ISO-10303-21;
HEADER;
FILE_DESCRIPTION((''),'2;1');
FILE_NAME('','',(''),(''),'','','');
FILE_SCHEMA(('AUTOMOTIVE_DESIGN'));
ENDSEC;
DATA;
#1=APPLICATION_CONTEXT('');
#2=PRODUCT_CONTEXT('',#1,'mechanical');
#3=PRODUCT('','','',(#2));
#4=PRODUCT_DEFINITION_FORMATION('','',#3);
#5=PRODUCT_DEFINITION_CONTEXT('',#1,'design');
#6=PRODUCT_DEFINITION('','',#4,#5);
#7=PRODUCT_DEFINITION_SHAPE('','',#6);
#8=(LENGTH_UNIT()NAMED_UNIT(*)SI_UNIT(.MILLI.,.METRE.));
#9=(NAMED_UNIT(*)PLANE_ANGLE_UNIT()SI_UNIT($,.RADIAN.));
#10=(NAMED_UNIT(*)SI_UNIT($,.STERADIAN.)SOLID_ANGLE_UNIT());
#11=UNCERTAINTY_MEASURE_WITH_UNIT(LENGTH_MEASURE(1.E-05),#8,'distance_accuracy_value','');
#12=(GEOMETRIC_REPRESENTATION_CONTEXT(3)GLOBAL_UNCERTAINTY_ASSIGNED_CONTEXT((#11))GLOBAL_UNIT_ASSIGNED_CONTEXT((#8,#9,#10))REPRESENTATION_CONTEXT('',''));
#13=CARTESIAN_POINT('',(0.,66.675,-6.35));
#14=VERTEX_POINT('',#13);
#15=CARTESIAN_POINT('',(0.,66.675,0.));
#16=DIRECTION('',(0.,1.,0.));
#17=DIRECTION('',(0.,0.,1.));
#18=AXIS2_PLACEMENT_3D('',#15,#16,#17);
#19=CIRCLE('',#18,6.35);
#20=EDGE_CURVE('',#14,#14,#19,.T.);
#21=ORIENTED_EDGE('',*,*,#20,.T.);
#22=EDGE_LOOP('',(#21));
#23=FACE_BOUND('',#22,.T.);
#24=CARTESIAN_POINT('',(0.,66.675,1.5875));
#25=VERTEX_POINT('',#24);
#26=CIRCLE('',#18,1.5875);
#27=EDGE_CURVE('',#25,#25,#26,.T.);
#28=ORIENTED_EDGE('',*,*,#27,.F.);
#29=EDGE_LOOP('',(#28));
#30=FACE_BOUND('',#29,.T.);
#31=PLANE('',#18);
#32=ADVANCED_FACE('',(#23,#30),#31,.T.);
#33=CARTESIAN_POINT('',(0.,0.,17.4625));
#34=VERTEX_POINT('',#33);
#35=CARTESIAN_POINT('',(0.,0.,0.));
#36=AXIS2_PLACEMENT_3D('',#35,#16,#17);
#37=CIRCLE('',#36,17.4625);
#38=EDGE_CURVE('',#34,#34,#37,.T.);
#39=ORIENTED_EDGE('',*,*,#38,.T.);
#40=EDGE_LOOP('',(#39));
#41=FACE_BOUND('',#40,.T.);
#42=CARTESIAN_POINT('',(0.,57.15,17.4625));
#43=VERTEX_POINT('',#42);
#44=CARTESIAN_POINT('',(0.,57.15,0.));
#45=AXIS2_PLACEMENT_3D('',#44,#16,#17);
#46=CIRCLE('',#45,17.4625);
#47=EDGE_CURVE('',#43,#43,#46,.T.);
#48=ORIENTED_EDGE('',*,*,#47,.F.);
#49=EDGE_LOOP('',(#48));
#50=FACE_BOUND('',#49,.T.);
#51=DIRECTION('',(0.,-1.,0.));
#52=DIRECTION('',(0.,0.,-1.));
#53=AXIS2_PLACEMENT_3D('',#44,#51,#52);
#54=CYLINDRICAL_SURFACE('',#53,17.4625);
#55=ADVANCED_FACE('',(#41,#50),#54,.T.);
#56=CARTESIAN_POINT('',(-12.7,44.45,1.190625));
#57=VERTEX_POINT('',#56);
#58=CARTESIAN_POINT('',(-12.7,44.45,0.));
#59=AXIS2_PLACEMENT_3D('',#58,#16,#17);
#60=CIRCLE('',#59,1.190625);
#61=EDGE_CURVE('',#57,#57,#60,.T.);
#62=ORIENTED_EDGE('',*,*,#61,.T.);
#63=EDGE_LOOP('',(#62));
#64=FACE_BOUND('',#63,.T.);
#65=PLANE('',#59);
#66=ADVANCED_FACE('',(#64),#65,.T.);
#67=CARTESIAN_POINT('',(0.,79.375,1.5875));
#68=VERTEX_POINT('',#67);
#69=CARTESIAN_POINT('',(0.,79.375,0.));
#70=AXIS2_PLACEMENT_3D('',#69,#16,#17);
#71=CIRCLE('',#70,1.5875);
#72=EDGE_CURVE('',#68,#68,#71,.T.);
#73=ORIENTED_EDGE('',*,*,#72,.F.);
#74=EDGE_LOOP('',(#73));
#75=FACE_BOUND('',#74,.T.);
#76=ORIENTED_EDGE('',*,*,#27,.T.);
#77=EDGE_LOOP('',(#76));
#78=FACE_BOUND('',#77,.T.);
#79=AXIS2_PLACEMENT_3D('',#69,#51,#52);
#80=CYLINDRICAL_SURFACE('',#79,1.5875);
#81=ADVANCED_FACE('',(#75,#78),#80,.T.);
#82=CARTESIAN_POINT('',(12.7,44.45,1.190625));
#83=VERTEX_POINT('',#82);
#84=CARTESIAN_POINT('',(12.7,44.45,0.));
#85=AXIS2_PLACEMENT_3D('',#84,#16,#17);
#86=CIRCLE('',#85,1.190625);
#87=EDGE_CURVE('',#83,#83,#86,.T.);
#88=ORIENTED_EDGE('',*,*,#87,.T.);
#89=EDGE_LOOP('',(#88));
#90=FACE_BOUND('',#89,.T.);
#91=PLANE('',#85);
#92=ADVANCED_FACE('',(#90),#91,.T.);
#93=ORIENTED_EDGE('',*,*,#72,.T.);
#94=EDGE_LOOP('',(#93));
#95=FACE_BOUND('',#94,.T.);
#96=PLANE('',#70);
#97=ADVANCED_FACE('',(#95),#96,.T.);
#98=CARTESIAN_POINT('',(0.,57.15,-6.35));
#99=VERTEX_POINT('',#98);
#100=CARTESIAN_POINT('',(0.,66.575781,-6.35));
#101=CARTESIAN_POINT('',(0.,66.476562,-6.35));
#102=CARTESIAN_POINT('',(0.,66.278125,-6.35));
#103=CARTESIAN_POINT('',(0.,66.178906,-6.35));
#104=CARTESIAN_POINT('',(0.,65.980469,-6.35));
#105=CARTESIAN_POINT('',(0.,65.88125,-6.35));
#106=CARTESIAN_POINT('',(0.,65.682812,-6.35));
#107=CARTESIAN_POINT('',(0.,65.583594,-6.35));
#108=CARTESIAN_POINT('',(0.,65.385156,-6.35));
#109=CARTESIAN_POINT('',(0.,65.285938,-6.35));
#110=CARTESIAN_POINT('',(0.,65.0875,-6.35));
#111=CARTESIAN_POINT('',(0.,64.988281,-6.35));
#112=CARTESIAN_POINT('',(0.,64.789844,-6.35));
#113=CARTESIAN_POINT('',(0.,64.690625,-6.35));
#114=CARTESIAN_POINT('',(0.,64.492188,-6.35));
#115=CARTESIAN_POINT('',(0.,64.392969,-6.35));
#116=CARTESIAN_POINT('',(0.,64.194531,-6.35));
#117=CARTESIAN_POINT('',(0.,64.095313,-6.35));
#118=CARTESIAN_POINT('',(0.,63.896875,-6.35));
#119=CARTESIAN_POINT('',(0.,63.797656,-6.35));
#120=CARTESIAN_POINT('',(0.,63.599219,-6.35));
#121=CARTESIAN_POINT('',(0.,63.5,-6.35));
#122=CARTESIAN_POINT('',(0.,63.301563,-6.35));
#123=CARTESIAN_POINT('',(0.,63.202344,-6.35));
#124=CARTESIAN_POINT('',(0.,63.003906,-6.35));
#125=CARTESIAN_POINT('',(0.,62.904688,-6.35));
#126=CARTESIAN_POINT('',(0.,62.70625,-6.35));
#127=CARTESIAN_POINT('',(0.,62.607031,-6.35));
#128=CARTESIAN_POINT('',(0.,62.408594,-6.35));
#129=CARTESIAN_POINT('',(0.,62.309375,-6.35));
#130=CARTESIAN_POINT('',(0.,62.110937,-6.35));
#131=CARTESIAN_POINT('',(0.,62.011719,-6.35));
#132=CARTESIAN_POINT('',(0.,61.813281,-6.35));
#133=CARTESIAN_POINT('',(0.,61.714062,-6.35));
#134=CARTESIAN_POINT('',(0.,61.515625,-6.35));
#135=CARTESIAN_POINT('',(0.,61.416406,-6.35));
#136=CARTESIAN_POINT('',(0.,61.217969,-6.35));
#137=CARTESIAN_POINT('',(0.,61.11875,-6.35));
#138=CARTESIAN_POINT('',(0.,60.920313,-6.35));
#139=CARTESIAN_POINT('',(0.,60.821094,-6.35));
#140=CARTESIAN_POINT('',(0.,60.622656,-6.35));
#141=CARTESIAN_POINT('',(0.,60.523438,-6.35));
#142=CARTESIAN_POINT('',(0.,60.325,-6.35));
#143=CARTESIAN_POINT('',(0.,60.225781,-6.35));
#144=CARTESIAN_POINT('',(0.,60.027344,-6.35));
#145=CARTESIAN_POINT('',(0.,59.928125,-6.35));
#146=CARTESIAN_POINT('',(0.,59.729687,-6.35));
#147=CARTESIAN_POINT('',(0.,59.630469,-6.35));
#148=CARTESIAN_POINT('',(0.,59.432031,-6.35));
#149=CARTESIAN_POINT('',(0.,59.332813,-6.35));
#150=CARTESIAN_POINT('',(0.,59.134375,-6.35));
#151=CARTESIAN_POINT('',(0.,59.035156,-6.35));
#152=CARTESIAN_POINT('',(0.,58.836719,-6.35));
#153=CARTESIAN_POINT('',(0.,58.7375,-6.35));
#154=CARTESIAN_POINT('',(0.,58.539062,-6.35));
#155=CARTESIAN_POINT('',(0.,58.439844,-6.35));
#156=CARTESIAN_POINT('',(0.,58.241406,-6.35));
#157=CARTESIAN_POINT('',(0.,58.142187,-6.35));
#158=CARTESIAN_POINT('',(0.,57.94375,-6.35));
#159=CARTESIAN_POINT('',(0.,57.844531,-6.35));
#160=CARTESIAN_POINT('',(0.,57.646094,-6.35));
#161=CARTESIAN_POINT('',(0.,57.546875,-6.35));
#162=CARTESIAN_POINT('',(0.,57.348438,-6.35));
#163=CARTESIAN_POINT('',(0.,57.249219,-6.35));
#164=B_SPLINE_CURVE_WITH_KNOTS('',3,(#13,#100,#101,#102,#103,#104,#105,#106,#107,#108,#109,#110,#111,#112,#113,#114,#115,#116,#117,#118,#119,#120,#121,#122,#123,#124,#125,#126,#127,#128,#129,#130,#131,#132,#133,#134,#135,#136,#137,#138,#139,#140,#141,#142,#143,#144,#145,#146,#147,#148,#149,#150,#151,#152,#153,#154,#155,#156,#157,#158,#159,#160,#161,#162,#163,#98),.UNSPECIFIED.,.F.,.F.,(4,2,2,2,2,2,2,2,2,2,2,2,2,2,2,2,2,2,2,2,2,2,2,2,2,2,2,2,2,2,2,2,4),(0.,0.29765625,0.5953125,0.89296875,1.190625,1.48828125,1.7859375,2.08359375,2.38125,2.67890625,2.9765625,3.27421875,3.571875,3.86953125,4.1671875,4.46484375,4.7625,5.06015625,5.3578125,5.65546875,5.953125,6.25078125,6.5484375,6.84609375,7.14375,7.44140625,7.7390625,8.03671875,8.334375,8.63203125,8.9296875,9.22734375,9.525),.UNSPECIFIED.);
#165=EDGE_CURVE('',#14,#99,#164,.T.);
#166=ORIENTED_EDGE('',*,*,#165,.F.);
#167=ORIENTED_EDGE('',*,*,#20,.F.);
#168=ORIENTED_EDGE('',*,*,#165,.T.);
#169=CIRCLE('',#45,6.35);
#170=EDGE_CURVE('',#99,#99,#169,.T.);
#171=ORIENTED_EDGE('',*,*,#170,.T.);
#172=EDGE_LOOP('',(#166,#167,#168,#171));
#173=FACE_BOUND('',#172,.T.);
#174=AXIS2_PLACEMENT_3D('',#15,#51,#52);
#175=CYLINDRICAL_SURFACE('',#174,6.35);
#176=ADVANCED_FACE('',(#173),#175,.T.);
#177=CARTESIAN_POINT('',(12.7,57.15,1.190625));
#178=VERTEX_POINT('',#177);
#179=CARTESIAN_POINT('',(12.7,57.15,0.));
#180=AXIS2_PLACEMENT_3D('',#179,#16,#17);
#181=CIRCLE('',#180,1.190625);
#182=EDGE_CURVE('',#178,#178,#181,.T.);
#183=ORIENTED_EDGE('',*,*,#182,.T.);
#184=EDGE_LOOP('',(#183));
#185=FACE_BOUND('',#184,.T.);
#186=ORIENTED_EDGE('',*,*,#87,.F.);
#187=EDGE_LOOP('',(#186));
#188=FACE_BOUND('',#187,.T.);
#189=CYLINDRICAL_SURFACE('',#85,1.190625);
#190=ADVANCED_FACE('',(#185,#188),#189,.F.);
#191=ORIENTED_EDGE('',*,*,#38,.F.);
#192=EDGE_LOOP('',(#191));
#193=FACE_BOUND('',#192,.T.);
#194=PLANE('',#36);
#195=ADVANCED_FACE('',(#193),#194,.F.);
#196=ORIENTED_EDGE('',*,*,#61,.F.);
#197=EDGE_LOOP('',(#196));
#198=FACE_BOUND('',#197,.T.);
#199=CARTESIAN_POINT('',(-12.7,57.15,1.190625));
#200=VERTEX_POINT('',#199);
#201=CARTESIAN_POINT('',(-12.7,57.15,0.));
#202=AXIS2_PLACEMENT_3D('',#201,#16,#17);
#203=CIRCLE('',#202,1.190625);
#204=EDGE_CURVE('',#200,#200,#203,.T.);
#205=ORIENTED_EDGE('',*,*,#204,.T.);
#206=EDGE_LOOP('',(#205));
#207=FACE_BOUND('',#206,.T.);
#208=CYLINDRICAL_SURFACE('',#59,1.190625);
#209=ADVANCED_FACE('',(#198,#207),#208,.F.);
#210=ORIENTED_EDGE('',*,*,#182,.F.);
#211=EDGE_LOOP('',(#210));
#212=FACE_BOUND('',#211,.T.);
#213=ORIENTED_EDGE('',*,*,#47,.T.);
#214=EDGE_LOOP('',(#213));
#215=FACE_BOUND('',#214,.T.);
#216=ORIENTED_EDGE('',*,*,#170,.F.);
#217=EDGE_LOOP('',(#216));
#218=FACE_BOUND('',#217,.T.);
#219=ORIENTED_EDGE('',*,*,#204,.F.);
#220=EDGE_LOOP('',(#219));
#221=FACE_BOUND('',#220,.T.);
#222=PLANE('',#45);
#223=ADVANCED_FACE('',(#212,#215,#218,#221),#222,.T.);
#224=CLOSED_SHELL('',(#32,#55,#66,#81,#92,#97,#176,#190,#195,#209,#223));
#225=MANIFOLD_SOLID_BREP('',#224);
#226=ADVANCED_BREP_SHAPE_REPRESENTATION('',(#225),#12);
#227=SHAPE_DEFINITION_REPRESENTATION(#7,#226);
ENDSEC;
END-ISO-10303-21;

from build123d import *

# Parameters (mm, degrees)
SKETCH1_R           = 17.4625
BOSS_EXTRUDE1_DEPTH = 57.15
SKETCH2_R           = 6.35
BOSS_EXTRUDE2_DEPTH = 9.525
SKETCH3_R           = 1.5875
BOSS_EXTRUDE3_DEPTH = 12.7
SKETCH4_R           = 1.190625
CUT_EXTRUDE1_DEPTH  = 12.7


with BuildPart() as part:
    # Sketch1 → Boss-Extrude1 (new body)
    with BuildSketch(Plane(origin=(0, 0, 0), x_dir=(1, 0, 0), z_dir=(0, 1, 0))):
        with Locations(Location((0, 0, 0), (0, 0, 270))):
            Circle(SKETCH1_R)
    extrude(amount=BOSS_EXTRUDE1_DEPTH)

    # Sketch2 → Boss-Extrude2 (add)
    with BuildSketch(Plane(origin=(0, 57.15, 0), x_dir=(1, 0, 0), z_dir=(0, 1, 0))):
        with Locations(Location((0, 0, 0), (0, 0, 90))):
            Circle(SKETCH2_R)
    extrude(amount=BOSS_EXTRUDE2_DEPTH)

    # Sketch3 → Boss-Extrude3 (add)
    with BuildSketch(Plane(origin=(0, 66.675, 0), x_dir=(1, 0, 0), z_dir=(0, 1, 0))):
        with Locations(Location((0, 0, 0), (0, 0, 270))):
            Circle(SKETCH3_R)
    extrude(amount=BOSS_EXTRUDE3_DEPTH)

    # Sketch4 → Cut-Extrude1 (cut)
    with BuildSketch(Plane(origin=(0, 57.15, 0), x_dir=(1, 0, 0), z_dir=(0, 1, 0))):
        with Locations(Location((12.7, 0, 0), (0, 0, 270))):
            Circle(SKETCH4_R)
        with Locations(Location((-12.7, 0, 0), (0, 0, 270))):
            Circle(SKETCH4_R)
    extrude(amount=-CUT_EXTRUDE1_DEPTH, mode=Mode.SUBTRACT)


solid = part.part
